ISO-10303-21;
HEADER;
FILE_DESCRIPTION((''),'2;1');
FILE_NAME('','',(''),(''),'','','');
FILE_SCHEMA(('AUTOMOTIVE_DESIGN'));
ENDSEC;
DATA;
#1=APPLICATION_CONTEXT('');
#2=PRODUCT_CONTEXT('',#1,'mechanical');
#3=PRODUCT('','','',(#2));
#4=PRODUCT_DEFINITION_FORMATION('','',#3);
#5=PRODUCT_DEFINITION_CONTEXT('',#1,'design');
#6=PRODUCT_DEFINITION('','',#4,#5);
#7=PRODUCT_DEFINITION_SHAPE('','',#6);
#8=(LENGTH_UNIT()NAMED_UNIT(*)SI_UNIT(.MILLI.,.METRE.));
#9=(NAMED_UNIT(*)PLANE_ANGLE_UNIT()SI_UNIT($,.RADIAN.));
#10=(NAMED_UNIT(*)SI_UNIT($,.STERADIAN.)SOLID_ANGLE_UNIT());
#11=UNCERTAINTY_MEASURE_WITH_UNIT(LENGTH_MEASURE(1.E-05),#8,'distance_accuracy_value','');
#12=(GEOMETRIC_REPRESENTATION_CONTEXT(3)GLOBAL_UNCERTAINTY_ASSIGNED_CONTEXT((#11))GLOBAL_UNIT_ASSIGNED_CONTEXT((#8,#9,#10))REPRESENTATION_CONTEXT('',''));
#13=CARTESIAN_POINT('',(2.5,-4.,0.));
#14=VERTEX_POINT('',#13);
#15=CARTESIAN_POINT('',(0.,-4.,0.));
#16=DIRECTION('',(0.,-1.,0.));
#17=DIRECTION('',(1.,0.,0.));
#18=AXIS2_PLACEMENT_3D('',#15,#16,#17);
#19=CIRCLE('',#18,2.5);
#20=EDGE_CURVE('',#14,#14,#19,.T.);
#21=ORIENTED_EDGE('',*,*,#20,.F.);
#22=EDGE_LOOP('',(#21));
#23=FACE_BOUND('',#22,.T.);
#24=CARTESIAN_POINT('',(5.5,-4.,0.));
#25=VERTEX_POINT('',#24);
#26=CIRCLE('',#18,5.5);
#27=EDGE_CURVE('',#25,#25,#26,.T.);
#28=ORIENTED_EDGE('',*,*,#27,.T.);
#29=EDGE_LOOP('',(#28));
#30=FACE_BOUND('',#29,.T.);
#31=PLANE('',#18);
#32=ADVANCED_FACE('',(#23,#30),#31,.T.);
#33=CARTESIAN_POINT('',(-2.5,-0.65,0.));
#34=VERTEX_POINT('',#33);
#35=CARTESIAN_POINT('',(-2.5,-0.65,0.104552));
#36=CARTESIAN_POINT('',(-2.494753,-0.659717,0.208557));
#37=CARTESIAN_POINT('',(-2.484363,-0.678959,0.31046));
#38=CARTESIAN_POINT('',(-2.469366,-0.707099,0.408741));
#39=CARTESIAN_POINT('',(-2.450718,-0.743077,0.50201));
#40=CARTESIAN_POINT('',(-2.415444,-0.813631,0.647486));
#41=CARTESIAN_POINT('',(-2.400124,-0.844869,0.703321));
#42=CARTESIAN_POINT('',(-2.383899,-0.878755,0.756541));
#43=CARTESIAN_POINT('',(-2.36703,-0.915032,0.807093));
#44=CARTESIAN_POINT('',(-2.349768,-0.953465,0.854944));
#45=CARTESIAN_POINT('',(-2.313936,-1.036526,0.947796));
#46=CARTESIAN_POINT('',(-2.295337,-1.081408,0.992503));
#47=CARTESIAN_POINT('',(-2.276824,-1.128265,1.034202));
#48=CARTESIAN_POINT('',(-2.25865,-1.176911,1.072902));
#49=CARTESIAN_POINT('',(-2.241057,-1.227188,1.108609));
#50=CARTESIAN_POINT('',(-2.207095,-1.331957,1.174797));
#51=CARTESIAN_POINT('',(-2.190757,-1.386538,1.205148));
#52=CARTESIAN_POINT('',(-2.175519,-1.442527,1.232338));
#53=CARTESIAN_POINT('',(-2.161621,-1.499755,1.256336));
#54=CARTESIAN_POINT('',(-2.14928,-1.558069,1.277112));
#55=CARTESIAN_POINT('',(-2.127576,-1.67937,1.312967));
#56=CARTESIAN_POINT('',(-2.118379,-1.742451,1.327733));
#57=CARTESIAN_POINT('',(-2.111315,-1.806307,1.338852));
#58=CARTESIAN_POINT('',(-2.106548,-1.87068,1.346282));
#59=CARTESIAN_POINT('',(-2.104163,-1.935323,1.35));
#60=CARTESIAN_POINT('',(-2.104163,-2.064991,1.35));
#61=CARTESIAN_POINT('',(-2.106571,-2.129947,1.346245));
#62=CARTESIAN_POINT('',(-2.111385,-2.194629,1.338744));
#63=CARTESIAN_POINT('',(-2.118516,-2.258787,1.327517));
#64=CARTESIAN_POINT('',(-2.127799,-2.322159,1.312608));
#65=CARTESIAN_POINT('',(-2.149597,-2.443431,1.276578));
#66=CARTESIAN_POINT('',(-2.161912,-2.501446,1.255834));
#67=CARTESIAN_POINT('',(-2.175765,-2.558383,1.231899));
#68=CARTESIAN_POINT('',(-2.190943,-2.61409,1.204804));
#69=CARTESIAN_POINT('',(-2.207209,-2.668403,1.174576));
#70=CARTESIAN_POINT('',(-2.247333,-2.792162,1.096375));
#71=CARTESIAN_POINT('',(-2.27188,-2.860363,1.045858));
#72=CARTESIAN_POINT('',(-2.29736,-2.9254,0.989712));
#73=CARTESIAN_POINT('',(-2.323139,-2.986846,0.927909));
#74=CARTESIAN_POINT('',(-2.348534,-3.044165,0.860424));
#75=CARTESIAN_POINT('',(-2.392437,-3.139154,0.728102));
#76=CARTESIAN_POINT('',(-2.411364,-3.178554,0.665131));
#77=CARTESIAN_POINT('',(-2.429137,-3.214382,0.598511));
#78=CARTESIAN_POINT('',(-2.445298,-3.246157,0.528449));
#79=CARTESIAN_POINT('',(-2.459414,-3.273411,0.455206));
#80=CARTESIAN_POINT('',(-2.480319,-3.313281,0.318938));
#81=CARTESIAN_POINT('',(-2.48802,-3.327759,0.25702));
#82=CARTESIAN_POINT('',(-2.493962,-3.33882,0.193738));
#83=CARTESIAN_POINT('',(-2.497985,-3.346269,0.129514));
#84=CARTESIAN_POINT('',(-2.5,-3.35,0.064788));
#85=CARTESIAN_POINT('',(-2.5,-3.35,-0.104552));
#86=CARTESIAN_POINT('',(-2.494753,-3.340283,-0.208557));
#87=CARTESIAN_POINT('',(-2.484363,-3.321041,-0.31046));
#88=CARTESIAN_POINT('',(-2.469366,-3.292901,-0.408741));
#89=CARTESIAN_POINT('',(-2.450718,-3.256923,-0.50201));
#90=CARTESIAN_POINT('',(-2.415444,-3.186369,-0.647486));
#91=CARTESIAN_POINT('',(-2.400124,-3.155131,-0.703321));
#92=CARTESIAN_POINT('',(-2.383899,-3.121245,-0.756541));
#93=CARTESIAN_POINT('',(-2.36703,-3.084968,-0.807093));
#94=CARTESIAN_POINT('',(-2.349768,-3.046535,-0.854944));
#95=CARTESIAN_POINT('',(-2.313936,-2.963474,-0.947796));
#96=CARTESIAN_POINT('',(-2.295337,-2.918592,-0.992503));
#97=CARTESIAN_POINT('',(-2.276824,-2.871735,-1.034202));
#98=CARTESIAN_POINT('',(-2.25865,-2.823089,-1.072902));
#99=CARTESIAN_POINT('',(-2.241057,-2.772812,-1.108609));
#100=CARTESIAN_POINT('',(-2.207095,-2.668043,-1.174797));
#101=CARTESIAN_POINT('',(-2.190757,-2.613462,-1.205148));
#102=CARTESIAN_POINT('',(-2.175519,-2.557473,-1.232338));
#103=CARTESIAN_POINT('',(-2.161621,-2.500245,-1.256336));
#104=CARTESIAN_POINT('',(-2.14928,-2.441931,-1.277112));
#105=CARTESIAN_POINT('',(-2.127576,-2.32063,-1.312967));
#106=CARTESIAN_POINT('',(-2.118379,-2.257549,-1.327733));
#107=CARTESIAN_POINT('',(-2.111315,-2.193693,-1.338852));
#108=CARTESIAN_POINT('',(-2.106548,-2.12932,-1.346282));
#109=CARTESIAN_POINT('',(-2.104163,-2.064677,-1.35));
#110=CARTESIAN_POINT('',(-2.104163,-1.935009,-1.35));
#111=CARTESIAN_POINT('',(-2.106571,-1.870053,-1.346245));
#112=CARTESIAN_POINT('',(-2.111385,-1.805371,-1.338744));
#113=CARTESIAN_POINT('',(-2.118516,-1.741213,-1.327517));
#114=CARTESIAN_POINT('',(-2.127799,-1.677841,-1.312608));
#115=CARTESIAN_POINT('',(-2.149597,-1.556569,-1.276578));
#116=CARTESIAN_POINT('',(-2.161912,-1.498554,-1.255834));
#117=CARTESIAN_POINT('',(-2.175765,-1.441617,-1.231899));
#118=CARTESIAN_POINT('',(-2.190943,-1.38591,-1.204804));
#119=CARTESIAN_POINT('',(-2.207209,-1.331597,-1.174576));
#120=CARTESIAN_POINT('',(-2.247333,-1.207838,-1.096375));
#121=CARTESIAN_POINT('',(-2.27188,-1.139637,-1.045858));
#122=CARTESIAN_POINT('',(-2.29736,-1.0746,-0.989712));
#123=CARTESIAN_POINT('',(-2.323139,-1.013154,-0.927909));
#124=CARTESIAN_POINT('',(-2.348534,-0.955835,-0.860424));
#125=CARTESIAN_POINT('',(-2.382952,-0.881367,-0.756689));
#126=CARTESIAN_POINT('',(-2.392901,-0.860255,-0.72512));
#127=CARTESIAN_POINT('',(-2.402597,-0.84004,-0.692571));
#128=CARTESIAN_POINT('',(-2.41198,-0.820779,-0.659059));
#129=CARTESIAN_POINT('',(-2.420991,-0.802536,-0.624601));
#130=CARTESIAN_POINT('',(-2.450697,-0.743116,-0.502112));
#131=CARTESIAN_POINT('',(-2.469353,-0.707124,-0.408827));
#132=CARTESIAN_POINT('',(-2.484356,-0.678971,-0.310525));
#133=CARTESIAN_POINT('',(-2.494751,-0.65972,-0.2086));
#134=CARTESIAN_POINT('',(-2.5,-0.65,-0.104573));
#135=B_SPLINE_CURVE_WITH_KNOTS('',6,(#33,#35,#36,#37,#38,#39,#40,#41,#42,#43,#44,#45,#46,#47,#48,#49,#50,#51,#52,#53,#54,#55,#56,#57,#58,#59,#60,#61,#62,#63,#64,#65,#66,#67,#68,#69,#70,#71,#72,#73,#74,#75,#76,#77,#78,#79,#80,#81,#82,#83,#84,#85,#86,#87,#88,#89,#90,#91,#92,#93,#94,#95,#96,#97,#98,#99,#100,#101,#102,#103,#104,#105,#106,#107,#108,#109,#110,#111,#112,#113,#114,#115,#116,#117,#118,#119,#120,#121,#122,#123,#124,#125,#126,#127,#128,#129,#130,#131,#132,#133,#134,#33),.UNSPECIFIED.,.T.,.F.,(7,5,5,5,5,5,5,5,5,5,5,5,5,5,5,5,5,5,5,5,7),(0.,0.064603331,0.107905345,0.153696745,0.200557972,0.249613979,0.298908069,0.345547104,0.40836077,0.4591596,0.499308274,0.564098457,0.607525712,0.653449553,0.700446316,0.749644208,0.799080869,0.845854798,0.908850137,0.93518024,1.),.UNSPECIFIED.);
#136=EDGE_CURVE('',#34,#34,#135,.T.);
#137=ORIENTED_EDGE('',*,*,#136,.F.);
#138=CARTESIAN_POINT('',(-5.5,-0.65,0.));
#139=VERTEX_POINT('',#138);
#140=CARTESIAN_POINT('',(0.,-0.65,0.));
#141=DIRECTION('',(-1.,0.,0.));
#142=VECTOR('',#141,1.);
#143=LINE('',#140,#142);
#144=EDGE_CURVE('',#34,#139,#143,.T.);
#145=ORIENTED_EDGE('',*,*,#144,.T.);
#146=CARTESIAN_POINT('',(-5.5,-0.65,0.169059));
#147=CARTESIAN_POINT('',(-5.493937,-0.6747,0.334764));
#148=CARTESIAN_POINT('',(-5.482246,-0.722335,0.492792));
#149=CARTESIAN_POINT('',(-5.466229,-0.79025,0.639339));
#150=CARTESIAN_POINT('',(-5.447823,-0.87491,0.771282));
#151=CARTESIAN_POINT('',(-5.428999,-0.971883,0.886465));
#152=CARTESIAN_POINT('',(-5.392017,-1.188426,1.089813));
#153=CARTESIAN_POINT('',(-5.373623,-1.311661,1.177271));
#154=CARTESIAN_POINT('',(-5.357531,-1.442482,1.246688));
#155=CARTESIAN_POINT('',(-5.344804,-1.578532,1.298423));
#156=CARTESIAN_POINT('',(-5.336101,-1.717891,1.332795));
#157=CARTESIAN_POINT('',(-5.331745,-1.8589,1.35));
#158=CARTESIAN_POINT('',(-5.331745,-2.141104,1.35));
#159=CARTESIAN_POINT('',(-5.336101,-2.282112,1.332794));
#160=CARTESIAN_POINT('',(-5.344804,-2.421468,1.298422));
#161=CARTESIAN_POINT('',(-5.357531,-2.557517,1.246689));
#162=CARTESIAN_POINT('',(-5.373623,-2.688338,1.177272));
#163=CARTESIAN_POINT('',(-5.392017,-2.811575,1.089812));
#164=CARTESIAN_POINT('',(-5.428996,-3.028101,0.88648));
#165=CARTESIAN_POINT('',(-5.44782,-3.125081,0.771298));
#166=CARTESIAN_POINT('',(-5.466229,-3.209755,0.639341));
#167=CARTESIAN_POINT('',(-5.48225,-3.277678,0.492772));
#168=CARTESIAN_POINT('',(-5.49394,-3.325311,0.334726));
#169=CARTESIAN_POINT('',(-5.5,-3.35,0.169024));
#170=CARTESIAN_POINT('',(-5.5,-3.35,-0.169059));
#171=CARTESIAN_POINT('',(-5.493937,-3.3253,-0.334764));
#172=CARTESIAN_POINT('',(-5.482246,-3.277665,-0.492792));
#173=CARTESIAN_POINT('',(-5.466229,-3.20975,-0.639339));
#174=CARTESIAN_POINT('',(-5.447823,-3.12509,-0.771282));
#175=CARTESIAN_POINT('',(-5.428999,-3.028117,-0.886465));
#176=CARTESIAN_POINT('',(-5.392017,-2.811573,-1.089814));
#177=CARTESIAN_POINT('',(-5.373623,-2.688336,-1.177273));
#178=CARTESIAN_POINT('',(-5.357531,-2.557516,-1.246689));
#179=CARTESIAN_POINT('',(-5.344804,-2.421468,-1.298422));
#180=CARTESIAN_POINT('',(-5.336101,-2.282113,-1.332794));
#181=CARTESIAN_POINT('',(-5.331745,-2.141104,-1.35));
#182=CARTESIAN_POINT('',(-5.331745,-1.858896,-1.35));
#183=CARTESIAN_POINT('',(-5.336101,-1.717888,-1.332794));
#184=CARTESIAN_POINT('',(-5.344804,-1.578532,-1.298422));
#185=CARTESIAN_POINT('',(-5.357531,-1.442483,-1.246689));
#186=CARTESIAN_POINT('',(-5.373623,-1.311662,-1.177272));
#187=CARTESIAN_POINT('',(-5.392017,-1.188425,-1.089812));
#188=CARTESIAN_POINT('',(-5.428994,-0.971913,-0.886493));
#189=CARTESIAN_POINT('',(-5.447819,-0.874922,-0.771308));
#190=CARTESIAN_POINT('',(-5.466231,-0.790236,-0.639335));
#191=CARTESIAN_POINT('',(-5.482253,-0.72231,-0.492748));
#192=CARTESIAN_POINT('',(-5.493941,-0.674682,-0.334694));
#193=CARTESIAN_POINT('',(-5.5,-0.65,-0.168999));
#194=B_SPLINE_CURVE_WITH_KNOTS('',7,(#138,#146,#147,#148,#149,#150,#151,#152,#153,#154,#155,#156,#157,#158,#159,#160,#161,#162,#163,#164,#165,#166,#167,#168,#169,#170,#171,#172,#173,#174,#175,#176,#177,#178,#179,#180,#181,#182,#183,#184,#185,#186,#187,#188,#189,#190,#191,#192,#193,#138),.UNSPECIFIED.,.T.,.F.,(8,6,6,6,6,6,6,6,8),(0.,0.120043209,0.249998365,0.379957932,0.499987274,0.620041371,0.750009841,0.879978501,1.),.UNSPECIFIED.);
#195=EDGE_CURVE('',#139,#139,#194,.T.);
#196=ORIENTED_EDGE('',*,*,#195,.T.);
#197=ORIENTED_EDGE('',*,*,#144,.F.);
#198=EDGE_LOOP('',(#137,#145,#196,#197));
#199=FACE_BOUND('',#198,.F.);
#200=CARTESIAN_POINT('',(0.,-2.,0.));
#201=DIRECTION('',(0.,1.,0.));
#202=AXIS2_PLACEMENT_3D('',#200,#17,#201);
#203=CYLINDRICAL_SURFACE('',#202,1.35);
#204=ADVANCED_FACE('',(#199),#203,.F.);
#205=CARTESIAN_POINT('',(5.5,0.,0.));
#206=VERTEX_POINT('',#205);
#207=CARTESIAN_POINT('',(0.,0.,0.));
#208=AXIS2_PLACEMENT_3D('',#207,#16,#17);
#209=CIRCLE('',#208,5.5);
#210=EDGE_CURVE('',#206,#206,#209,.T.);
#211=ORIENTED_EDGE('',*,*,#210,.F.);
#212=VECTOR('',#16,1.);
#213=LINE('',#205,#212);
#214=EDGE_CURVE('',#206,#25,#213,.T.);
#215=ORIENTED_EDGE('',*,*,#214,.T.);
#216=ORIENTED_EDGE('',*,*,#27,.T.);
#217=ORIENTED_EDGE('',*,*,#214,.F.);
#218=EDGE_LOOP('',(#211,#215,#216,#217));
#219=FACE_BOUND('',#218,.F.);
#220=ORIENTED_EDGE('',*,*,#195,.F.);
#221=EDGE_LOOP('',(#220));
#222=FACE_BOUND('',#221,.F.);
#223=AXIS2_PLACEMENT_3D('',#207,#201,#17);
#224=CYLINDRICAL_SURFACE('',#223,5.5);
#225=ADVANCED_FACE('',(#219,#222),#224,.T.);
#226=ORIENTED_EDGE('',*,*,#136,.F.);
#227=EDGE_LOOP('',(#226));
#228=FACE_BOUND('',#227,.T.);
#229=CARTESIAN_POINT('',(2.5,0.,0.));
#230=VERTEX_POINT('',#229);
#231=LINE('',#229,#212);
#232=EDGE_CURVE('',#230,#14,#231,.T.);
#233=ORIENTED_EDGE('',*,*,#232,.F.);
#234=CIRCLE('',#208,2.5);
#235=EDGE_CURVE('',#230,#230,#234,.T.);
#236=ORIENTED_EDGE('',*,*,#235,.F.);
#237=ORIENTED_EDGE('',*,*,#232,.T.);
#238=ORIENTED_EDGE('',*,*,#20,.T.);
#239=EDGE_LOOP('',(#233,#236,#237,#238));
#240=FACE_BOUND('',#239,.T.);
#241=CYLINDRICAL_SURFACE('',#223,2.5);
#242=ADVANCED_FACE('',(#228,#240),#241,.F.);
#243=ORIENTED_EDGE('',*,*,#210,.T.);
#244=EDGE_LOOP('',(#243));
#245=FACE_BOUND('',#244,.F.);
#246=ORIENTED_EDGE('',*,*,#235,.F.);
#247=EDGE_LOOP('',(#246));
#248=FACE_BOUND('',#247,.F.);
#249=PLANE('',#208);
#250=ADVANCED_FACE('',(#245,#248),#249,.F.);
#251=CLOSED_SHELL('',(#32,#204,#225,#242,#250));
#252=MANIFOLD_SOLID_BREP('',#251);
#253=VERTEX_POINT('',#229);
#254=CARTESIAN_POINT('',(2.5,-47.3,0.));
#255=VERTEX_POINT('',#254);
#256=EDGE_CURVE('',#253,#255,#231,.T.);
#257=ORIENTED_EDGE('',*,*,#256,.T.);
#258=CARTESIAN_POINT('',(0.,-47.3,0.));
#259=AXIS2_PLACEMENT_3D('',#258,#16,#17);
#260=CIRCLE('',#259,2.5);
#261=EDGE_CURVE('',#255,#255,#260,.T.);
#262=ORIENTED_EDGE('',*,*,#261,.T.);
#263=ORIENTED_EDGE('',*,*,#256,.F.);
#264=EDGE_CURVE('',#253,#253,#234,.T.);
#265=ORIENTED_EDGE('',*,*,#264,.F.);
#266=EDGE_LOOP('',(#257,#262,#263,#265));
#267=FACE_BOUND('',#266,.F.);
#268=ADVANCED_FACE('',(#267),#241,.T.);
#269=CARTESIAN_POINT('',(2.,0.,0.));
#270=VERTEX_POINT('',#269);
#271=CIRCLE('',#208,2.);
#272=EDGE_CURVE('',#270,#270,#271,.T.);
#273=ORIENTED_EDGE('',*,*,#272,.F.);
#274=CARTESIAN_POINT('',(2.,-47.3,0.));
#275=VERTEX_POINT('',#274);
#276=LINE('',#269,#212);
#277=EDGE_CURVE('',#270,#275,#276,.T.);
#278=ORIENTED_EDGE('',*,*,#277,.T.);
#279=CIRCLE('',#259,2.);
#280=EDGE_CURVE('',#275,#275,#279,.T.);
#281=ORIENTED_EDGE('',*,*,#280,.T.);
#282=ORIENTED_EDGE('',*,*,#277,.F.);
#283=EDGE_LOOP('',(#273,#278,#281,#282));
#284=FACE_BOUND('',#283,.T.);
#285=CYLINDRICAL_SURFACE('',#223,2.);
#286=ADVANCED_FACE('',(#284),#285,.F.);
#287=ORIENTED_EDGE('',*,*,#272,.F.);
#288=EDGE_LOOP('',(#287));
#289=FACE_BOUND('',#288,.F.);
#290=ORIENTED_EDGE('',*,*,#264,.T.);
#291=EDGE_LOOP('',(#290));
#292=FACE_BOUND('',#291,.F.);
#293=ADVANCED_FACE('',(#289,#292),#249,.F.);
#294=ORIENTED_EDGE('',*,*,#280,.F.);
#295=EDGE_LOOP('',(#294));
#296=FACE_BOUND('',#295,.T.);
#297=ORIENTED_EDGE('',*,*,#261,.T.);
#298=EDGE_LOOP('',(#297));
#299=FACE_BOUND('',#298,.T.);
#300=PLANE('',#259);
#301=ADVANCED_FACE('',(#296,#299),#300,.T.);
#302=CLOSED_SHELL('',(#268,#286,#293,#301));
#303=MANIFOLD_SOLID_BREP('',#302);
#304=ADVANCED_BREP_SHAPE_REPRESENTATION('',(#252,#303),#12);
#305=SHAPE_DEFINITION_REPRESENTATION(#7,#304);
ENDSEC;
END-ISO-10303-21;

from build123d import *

# Parameters (mm, degrees)
F0_R     = 2.5
F0_R_2   = 2
F1_DEPTH = 47.3
F2_R     = 5.5
F2_R_2   = 2.5
F3_DEPTH = 4
F5_D     = 2.7
F5_DEPTH = 5.501


with BuildPart() as f1:
    # F0 (on Front) → F1 (new body)
    with BuildSketch(Plane.XZ):
        Circle(F0_R)
        Circle(F0_R_2, mode=Mode.SUBTRACT)
    extrude(amount=F1_DEPTH)


with BuildPart() as f3:
    # F2 (on Front) → F3 (new body)
    with BuildSketch(Plane.XZ):
        Circle(F2_R)
        Circle(F2_R_2, mode=Mode.SUBTRACT)
    extrude(amount=F3_DEPTH)

    # F5 (through all, one way)
    with BuildSketch(Plane.YZ):
        with Locations((-2, 0)):
            Circle(F5_D / 2)
    extrude(amount=-F5_DEPTH, mode=Mode.SUBTRACT)


solid = Compound([f1.part, f3.part])
